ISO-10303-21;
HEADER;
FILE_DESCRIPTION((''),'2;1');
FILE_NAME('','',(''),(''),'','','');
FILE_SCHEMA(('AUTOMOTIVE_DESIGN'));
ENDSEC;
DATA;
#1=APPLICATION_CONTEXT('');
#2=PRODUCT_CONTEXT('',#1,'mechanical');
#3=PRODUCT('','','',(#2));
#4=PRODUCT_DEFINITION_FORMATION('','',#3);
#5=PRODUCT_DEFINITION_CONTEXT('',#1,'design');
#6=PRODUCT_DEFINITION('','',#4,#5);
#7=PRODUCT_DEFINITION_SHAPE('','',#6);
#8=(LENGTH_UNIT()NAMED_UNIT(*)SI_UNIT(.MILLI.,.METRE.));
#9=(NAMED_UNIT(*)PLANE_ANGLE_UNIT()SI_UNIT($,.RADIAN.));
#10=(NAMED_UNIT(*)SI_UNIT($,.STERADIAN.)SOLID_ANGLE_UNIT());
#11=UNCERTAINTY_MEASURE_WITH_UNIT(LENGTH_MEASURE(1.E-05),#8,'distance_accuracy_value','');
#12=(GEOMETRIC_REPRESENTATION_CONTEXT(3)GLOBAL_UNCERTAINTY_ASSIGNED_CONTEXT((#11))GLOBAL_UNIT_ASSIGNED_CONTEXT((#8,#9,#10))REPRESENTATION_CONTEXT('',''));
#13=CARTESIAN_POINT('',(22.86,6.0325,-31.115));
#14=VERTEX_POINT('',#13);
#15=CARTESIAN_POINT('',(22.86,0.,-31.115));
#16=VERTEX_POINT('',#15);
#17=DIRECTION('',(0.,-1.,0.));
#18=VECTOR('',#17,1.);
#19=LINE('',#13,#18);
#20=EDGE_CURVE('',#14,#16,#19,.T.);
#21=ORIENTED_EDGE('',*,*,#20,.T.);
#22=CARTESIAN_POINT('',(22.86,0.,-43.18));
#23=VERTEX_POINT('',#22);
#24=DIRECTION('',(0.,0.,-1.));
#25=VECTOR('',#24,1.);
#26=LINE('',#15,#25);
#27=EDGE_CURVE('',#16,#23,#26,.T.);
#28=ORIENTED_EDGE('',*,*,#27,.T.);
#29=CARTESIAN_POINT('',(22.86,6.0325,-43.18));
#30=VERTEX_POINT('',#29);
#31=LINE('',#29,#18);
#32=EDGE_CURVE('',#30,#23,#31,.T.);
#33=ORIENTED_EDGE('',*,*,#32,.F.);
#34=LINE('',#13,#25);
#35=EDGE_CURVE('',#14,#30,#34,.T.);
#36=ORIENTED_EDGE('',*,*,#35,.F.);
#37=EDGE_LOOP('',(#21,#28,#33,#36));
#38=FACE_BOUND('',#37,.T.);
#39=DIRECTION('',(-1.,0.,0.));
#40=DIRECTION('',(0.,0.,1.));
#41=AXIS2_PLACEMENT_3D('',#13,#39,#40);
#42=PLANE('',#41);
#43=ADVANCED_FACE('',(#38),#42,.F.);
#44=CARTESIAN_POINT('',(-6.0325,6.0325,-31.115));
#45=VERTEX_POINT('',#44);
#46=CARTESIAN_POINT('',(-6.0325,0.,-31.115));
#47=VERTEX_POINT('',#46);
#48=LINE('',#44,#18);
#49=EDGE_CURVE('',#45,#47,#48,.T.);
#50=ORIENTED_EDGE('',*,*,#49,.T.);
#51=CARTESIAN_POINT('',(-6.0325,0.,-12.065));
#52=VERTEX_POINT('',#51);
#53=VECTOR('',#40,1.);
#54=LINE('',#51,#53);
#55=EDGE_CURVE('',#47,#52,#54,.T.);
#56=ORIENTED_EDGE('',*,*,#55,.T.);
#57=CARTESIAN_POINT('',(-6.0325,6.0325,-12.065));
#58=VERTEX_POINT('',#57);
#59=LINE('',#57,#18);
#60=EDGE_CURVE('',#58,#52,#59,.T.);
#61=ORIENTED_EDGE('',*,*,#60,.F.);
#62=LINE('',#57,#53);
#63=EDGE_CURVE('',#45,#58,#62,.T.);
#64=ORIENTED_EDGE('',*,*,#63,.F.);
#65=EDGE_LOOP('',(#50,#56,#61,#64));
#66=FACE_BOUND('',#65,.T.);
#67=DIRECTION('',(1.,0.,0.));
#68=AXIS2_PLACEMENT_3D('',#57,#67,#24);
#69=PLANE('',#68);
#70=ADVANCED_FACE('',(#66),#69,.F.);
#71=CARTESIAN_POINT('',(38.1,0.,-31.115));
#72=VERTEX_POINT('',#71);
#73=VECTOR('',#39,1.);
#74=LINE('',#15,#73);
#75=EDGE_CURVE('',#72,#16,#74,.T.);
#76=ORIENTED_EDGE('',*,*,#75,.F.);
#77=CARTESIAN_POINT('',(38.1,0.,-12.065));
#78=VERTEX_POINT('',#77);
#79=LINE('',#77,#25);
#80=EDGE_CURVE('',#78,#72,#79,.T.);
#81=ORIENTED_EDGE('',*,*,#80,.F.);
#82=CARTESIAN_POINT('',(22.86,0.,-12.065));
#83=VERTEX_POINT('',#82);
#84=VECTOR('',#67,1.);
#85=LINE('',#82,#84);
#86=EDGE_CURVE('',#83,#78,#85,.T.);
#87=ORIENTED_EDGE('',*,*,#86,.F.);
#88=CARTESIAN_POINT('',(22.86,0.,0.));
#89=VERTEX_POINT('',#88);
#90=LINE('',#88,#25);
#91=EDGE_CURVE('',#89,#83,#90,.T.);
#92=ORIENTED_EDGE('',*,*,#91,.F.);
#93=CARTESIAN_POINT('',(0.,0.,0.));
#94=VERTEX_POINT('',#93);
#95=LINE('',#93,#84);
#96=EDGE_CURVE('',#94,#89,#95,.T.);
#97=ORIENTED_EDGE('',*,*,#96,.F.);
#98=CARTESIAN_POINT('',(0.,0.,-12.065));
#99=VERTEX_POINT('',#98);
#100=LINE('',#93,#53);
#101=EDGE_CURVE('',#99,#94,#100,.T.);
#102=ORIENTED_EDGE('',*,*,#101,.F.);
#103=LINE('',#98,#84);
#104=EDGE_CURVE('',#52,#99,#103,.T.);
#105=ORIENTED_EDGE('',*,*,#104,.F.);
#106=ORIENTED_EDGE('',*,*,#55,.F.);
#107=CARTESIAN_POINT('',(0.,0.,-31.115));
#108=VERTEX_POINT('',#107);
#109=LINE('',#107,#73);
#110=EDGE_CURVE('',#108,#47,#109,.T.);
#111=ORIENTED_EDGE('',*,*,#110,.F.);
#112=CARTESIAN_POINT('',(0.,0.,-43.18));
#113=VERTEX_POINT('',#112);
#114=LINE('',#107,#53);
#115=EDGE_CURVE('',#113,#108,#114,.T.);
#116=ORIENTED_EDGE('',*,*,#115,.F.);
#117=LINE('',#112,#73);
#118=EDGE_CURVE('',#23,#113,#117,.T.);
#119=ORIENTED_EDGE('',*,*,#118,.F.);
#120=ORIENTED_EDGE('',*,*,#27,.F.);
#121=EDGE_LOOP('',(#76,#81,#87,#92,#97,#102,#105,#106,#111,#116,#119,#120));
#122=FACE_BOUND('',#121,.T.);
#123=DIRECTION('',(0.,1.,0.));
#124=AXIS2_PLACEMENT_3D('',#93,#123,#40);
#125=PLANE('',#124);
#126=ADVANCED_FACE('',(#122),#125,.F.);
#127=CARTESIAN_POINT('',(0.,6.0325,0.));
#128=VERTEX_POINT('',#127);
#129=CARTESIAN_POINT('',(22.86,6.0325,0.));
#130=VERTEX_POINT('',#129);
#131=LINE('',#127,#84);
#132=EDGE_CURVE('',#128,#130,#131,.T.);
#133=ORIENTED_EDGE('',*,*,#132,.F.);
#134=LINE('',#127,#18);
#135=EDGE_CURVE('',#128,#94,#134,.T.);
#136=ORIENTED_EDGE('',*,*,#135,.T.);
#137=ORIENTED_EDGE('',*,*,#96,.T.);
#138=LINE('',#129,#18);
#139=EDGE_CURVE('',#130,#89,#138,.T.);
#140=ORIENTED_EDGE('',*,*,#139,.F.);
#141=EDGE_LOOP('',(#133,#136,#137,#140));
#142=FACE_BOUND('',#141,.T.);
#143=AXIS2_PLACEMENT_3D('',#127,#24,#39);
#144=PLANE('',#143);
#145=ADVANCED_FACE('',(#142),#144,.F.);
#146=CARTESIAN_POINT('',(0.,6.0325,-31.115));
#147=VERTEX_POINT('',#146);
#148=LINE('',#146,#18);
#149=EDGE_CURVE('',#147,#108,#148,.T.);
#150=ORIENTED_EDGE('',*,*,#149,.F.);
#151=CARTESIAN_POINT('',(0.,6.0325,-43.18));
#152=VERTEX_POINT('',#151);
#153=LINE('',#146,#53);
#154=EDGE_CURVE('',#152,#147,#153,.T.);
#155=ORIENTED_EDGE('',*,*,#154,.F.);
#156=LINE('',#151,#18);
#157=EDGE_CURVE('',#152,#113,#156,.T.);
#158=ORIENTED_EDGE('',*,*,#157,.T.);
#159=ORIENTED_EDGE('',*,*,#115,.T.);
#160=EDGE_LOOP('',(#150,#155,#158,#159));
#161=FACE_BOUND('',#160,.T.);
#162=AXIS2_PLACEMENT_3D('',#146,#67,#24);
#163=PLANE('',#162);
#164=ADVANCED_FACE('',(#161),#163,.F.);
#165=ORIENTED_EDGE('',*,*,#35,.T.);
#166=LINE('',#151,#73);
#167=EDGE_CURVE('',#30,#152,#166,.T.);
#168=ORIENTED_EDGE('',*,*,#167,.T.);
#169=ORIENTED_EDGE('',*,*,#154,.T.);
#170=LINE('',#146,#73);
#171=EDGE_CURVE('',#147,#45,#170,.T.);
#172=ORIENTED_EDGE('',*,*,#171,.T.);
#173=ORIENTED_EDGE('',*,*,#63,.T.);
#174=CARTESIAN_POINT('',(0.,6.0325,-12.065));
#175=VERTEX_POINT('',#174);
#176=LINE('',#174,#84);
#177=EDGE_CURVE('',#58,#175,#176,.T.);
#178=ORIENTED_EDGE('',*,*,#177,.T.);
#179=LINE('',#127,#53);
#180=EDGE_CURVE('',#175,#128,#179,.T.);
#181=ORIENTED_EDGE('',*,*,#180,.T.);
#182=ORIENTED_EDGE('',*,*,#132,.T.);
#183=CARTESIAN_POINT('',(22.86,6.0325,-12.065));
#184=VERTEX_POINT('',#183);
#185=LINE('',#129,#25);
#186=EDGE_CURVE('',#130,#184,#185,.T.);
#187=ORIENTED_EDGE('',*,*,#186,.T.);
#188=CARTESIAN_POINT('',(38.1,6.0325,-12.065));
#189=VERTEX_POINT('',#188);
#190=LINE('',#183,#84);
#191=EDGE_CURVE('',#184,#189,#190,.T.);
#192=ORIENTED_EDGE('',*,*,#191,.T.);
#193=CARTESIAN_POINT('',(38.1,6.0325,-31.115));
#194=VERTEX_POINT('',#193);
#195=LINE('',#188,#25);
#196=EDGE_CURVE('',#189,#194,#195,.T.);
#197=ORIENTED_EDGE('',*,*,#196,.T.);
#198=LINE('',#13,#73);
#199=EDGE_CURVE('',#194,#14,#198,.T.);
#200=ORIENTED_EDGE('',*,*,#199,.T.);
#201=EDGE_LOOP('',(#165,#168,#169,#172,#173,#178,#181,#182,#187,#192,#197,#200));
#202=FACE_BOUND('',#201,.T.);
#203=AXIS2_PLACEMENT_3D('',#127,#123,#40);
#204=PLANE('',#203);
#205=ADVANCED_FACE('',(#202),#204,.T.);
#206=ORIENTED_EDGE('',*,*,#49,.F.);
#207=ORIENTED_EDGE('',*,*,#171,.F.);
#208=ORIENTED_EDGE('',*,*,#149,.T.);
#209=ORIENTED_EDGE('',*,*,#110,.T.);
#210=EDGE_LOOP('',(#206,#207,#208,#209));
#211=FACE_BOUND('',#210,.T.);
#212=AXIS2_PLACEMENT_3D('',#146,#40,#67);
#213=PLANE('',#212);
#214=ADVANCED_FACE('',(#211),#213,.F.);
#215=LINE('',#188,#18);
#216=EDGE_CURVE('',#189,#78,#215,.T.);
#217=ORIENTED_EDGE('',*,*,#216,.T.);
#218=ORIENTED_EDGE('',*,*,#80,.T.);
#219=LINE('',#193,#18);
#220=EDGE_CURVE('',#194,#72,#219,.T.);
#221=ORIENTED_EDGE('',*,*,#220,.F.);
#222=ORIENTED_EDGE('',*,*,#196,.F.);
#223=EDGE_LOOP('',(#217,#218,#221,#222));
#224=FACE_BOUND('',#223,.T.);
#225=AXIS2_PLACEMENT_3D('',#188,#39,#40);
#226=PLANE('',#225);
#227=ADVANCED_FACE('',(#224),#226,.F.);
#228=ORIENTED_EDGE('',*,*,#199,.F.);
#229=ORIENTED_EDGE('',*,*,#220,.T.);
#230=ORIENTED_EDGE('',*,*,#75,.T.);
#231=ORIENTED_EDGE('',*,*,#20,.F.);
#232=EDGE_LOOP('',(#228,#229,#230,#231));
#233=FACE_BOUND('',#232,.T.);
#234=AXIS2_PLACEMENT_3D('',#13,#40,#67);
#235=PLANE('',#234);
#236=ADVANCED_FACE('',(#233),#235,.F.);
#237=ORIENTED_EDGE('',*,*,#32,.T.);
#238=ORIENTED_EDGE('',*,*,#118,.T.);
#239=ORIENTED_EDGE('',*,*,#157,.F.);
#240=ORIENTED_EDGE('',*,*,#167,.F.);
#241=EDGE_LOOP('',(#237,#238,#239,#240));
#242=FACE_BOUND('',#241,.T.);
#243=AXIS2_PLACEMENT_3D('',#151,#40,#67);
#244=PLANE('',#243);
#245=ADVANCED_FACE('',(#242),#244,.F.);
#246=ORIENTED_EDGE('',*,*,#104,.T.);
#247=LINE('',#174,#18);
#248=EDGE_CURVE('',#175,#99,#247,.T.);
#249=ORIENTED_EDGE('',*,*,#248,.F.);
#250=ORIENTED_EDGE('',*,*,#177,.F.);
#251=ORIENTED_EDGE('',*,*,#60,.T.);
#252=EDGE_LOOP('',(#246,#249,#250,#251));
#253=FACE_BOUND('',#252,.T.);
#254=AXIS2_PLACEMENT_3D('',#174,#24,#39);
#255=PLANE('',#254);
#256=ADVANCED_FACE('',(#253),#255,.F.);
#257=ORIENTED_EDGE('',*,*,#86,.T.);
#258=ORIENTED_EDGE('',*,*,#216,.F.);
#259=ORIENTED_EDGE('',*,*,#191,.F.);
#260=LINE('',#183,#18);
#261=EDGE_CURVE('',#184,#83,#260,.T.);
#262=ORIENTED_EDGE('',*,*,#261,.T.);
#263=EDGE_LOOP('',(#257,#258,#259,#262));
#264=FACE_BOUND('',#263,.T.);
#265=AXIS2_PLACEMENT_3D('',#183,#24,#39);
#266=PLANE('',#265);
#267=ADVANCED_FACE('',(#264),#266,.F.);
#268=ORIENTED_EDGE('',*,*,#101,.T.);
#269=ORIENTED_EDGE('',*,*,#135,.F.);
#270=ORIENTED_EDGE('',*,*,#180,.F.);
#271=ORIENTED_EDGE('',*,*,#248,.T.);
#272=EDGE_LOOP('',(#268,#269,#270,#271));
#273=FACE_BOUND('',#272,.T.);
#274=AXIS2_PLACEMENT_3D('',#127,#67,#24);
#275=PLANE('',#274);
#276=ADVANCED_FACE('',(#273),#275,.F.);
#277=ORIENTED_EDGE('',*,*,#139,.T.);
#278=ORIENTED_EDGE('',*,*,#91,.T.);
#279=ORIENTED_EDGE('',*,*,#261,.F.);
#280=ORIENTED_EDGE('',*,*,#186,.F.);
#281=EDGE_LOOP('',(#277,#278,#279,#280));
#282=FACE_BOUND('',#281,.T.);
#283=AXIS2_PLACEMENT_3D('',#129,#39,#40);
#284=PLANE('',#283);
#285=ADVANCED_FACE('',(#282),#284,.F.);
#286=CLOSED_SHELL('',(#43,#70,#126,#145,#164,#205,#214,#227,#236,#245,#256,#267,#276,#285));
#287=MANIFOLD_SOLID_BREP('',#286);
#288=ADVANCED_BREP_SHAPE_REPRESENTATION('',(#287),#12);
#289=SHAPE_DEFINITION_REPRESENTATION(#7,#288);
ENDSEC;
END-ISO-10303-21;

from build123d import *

# Parameters (mm, degrees)
BOSS_EXTRUDE1_DEPTH = 6.0325


with BuildPart() as part:
    # Sketch1 → Boss-Extrude1 (new body)
    with BuildSketch(Plane(origin=(0, 0, 0), x_dir=(1, 0, 0), z_dir=(0, 1, 0))):
        Polygon((0, 0), (22.86, 0), (22.86, 12.065), (38.1, 12.065), (38.1, 31.115), (22.86, 31.115), (22.86, 43.18), (0, 43.18), (0, 31.115), (-6.0325, 31.115), (-6.0325, 12.065), (0, 12.065), align=None)
    extrude(amount=BOSS_EXTRUDE1_DEPTH)


solid = part.part
